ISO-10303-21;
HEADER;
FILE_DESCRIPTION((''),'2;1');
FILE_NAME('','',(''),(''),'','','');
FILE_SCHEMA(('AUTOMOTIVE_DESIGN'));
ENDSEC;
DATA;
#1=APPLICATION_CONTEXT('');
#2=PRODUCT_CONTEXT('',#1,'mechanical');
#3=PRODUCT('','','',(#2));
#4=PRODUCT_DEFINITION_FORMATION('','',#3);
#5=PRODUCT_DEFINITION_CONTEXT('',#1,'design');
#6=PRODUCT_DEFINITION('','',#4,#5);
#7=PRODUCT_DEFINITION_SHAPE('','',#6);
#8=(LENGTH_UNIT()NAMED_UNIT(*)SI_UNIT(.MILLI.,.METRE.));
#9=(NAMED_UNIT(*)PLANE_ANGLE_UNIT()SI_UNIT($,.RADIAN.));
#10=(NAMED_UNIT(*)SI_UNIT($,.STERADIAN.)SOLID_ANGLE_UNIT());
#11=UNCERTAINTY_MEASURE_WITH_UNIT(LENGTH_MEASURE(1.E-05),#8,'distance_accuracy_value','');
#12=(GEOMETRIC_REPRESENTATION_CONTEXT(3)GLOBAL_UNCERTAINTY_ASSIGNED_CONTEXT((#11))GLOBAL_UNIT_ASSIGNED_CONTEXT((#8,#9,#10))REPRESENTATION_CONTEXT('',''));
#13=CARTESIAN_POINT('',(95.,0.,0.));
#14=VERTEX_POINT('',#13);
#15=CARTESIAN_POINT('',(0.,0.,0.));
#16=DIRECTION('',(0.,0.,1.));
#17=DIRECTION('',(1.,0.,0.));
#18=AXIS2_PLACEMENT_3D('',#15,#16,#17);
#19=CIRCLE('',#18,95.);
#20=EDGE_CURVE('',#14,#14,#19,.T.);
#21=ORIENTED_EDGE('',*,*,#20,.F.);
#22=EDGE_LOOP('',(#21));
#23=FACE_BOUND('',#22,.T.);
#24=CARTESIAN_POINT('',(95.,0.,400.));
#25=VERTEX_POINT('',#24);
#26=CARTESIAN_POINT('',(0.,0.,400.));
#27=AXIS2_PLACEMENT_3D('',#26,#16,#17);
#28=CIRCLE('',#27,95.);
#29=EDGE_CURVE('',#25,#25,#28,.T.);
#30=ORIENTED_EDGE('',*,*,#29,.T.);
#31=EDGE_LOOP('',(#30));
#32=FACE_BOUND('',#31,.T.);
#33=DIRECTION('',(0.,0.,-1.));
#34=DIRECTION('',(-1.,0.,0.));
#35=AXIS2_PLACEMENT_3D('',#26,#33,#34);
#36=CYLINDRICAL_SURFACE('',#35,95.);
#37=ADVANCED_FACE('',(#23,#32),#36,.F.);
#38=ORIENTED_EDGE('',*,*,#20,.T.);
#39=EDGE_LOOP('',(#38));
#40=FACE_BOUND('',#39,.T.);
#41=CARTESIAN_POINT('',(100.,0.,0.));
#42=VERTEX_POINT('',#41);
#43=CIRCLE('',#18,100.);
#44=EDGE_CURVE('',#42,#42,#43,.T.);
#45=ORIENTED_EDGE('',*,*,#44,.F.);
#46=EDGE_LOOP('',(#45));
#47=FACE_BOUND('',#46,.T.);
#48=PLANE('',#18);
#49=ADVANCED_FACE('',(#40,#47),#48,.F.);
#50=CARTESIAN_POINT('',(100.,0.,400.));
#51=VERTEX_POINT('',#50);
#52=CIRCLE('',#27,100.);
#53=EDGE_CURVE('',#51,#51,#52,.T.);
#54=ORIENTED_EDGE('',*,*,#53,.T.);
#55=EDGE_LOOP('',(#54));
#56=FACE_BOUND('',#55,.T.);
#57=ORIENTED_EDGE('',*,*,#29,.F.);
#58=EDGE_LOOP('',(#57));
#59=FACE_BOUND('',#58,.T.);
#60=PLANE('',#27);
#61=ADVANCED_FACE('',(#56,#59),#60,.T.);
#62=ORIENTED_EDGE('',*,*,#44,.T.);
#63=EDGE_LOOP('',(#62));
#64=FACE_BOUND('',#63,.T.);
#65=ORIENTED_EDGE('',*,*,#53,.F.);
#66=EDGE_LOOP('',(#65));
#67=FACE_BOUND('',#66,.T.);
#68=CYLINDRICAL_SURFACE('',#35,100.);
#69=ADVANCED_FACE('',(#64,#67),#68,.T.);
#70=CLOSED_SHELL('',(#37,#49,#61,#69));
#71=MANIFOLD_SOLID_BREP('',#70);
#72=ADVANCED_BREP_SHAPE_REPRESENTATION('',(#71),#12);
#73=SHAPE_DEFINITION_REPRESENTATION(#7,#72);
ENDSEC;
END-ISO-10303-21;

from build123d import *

# Parameters (mm, degrees)
SKETCH_6_R      = 100
SKETCH_6_R_2    = 95
EXTRUDE_1_DEPTH = 400


with BuildPart() as part:
    # 草图6 → 凸台-拉伸1 (new body)
    with BuildSketch(Plane.XY):
        Circle(SKETCH_6_R)
        Circle(SKETCH_6_R_2, mode=Mode.SUBTRACT)
    extrude(amount=EXTRUDE_1_DEPTH)


solid = part.part
